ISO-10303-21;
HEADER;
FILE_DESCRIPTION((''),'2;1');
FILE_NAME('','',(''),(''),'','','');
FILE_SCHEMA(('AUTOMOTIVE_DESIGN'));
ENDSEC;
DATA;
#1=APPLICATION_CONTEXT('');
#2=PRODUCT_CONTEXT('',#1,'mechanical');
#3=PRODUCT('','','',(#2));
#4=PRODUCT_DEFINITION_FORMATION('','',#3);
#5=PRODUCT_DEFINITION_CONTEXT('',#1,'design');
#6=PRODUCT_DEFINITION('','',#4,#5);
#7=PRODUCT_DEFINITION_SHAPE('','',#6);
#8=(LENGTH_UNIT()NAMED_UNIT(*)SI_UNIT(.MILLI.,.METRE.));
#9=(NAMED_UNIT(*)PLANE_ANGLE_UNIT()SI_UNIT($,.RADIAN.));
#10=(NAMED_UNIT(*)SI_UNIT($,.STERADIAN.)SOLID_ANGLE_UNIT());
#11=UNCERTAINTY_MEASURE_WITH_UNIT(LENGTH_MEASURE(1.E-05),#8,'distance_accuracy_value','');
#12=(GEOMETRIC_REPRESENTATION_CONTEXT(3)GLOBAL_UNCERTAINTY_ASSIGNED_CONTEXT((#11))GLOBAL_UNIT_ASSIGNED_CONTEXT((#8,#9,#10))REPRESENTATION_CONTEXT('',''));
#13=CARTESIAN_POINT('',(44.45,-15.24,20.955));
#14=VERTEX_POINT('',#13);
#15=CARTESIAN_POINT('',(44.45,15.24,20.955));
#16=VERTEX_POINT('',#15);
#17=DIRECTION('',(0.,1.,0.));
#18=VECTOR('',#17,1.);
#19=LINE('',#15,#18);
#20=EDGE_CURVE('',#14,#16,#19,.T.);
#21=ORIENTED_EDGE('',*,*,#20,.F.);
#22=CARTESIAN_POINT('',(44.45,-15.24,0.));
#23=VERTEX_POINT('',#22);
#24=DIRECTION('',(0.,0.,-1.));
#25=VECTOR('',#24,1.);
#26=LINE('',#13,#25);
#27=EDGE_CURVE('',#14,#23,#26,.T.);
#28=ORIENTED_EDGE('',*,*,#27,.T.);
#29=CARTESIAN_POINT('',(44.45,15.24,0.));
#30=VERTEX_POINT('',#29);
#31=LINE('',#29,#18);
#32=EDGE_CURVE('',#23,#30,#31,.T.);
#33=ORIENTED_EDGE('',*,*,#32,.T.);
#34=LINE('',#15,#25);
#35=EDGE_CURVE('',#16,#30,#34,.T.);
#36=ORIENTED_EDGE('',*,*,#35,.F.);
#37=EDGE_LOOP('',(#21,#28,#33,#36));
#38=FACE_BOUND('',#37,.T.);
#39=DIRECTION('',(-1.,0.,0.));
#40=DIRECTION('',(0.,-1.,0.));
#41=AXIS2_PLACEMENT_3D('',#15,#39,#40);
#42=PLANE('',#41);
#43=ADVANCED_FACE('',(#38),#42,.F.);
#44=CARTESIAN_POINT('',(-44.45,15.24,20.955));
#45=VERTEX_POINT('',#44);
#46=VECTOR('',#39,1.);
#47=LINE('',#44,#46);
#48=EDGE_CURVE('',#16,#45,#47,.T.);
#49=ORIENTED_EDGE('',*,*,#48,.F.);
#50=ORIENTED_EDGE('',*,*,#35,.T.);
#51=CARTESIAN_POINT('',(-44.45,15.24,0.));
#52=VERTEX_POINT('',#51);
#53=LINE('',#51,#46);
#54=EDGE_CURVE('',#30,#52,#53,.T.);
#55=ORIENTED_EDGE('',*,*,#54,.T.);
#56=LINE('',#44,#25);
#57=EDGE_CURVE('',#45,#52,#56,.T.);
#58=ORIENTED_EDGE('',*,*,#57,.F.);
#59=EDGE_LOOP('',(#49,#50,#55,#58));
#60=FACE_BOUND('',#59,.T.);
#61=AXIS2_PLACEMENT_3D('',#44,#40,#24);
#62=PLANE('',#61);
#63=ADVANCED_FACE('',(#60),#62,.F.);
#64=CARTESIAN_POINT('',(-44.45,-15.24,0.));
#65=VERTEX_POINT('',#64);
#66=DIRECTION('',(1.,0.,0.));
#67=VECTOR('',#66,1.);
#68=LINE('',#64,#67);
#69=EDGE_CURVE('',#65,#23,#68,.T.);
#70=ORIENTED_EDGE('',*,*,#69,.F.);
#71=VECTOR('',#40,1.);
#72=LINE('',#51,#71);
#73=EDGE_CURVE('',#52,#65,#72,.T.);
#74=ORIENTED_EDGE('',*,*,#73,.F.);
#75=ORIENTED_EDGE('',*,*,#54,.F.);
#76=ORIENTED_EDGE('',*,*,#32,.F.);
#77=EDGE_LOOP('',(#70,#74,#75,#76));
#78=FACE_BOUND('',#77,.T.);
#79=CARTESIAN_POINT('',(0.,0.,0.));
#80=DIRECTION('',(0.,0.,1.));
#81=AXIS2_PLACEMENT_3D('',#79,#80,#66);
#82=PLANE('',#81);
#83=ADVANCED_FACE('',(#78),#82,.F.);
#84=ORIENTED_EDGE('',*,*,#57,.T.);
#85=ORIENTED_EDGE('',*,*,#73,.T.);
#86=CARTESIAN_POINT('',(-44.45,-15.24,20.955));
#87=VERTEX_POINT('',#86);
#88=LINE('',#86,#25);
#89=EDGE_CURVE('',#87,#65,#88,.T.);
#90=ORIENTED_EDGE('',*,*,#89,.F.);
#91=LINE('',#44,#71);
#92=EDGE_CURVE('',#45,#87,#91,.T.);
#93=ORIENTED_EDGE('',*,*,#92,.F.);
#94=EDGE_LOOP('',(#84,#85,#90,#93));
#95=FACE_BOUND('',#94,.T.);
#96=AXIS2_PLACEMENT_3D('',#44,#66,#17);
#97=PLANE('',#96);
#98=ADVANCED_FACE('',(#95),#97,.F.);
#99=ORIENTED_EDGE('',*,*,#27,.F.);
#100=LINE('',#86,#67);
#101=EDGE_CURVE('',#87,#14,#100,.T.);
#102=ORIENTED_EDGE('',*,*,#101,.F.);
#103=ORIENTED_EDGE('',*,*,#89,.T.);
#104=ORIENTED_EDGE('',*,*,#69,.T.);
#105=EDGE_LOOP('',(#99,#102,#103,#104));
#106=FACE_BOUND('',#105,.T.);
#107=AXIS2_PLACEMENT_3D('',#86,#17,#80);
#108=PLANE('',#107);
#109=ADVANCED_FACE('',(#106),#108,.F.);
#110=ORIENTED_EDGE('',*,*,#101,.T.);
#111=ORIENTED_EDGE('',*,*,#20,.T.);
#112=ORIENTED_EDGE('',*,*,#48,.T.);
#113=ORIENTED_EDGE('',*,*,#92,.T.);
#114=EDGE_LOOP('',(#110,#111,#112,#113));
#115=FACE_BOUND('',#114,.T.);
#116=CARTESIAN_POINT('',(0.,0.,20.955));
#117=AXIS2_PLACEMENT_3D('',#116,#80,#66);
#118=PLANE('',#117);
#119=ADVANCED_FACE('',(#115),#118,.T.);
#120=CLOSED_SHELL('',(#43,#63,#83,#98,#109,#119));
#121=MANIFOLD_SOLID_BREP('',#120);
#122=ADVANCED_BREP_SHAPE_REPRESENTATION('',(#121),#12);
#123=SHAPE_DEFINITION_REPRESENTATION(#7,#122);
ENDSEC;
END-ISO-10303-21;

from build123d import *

# Parameters (mm, degrees)
SKETCH1_W           = 88.9
SKETCH1_H           = 30.48
BOSS_EXTRUDE1_DEPTH = 20.955


with BuildPart() as part:
    # Sketch1 → Boss-Extrude1 (new body)
    with BuildSketch(Plane.XY):
        Rectangle(SKETCH1_W, SKETCH1_H)
    extrude(amount=BOSS_EXTRUDE1_DEPTH)


solid = part.part
